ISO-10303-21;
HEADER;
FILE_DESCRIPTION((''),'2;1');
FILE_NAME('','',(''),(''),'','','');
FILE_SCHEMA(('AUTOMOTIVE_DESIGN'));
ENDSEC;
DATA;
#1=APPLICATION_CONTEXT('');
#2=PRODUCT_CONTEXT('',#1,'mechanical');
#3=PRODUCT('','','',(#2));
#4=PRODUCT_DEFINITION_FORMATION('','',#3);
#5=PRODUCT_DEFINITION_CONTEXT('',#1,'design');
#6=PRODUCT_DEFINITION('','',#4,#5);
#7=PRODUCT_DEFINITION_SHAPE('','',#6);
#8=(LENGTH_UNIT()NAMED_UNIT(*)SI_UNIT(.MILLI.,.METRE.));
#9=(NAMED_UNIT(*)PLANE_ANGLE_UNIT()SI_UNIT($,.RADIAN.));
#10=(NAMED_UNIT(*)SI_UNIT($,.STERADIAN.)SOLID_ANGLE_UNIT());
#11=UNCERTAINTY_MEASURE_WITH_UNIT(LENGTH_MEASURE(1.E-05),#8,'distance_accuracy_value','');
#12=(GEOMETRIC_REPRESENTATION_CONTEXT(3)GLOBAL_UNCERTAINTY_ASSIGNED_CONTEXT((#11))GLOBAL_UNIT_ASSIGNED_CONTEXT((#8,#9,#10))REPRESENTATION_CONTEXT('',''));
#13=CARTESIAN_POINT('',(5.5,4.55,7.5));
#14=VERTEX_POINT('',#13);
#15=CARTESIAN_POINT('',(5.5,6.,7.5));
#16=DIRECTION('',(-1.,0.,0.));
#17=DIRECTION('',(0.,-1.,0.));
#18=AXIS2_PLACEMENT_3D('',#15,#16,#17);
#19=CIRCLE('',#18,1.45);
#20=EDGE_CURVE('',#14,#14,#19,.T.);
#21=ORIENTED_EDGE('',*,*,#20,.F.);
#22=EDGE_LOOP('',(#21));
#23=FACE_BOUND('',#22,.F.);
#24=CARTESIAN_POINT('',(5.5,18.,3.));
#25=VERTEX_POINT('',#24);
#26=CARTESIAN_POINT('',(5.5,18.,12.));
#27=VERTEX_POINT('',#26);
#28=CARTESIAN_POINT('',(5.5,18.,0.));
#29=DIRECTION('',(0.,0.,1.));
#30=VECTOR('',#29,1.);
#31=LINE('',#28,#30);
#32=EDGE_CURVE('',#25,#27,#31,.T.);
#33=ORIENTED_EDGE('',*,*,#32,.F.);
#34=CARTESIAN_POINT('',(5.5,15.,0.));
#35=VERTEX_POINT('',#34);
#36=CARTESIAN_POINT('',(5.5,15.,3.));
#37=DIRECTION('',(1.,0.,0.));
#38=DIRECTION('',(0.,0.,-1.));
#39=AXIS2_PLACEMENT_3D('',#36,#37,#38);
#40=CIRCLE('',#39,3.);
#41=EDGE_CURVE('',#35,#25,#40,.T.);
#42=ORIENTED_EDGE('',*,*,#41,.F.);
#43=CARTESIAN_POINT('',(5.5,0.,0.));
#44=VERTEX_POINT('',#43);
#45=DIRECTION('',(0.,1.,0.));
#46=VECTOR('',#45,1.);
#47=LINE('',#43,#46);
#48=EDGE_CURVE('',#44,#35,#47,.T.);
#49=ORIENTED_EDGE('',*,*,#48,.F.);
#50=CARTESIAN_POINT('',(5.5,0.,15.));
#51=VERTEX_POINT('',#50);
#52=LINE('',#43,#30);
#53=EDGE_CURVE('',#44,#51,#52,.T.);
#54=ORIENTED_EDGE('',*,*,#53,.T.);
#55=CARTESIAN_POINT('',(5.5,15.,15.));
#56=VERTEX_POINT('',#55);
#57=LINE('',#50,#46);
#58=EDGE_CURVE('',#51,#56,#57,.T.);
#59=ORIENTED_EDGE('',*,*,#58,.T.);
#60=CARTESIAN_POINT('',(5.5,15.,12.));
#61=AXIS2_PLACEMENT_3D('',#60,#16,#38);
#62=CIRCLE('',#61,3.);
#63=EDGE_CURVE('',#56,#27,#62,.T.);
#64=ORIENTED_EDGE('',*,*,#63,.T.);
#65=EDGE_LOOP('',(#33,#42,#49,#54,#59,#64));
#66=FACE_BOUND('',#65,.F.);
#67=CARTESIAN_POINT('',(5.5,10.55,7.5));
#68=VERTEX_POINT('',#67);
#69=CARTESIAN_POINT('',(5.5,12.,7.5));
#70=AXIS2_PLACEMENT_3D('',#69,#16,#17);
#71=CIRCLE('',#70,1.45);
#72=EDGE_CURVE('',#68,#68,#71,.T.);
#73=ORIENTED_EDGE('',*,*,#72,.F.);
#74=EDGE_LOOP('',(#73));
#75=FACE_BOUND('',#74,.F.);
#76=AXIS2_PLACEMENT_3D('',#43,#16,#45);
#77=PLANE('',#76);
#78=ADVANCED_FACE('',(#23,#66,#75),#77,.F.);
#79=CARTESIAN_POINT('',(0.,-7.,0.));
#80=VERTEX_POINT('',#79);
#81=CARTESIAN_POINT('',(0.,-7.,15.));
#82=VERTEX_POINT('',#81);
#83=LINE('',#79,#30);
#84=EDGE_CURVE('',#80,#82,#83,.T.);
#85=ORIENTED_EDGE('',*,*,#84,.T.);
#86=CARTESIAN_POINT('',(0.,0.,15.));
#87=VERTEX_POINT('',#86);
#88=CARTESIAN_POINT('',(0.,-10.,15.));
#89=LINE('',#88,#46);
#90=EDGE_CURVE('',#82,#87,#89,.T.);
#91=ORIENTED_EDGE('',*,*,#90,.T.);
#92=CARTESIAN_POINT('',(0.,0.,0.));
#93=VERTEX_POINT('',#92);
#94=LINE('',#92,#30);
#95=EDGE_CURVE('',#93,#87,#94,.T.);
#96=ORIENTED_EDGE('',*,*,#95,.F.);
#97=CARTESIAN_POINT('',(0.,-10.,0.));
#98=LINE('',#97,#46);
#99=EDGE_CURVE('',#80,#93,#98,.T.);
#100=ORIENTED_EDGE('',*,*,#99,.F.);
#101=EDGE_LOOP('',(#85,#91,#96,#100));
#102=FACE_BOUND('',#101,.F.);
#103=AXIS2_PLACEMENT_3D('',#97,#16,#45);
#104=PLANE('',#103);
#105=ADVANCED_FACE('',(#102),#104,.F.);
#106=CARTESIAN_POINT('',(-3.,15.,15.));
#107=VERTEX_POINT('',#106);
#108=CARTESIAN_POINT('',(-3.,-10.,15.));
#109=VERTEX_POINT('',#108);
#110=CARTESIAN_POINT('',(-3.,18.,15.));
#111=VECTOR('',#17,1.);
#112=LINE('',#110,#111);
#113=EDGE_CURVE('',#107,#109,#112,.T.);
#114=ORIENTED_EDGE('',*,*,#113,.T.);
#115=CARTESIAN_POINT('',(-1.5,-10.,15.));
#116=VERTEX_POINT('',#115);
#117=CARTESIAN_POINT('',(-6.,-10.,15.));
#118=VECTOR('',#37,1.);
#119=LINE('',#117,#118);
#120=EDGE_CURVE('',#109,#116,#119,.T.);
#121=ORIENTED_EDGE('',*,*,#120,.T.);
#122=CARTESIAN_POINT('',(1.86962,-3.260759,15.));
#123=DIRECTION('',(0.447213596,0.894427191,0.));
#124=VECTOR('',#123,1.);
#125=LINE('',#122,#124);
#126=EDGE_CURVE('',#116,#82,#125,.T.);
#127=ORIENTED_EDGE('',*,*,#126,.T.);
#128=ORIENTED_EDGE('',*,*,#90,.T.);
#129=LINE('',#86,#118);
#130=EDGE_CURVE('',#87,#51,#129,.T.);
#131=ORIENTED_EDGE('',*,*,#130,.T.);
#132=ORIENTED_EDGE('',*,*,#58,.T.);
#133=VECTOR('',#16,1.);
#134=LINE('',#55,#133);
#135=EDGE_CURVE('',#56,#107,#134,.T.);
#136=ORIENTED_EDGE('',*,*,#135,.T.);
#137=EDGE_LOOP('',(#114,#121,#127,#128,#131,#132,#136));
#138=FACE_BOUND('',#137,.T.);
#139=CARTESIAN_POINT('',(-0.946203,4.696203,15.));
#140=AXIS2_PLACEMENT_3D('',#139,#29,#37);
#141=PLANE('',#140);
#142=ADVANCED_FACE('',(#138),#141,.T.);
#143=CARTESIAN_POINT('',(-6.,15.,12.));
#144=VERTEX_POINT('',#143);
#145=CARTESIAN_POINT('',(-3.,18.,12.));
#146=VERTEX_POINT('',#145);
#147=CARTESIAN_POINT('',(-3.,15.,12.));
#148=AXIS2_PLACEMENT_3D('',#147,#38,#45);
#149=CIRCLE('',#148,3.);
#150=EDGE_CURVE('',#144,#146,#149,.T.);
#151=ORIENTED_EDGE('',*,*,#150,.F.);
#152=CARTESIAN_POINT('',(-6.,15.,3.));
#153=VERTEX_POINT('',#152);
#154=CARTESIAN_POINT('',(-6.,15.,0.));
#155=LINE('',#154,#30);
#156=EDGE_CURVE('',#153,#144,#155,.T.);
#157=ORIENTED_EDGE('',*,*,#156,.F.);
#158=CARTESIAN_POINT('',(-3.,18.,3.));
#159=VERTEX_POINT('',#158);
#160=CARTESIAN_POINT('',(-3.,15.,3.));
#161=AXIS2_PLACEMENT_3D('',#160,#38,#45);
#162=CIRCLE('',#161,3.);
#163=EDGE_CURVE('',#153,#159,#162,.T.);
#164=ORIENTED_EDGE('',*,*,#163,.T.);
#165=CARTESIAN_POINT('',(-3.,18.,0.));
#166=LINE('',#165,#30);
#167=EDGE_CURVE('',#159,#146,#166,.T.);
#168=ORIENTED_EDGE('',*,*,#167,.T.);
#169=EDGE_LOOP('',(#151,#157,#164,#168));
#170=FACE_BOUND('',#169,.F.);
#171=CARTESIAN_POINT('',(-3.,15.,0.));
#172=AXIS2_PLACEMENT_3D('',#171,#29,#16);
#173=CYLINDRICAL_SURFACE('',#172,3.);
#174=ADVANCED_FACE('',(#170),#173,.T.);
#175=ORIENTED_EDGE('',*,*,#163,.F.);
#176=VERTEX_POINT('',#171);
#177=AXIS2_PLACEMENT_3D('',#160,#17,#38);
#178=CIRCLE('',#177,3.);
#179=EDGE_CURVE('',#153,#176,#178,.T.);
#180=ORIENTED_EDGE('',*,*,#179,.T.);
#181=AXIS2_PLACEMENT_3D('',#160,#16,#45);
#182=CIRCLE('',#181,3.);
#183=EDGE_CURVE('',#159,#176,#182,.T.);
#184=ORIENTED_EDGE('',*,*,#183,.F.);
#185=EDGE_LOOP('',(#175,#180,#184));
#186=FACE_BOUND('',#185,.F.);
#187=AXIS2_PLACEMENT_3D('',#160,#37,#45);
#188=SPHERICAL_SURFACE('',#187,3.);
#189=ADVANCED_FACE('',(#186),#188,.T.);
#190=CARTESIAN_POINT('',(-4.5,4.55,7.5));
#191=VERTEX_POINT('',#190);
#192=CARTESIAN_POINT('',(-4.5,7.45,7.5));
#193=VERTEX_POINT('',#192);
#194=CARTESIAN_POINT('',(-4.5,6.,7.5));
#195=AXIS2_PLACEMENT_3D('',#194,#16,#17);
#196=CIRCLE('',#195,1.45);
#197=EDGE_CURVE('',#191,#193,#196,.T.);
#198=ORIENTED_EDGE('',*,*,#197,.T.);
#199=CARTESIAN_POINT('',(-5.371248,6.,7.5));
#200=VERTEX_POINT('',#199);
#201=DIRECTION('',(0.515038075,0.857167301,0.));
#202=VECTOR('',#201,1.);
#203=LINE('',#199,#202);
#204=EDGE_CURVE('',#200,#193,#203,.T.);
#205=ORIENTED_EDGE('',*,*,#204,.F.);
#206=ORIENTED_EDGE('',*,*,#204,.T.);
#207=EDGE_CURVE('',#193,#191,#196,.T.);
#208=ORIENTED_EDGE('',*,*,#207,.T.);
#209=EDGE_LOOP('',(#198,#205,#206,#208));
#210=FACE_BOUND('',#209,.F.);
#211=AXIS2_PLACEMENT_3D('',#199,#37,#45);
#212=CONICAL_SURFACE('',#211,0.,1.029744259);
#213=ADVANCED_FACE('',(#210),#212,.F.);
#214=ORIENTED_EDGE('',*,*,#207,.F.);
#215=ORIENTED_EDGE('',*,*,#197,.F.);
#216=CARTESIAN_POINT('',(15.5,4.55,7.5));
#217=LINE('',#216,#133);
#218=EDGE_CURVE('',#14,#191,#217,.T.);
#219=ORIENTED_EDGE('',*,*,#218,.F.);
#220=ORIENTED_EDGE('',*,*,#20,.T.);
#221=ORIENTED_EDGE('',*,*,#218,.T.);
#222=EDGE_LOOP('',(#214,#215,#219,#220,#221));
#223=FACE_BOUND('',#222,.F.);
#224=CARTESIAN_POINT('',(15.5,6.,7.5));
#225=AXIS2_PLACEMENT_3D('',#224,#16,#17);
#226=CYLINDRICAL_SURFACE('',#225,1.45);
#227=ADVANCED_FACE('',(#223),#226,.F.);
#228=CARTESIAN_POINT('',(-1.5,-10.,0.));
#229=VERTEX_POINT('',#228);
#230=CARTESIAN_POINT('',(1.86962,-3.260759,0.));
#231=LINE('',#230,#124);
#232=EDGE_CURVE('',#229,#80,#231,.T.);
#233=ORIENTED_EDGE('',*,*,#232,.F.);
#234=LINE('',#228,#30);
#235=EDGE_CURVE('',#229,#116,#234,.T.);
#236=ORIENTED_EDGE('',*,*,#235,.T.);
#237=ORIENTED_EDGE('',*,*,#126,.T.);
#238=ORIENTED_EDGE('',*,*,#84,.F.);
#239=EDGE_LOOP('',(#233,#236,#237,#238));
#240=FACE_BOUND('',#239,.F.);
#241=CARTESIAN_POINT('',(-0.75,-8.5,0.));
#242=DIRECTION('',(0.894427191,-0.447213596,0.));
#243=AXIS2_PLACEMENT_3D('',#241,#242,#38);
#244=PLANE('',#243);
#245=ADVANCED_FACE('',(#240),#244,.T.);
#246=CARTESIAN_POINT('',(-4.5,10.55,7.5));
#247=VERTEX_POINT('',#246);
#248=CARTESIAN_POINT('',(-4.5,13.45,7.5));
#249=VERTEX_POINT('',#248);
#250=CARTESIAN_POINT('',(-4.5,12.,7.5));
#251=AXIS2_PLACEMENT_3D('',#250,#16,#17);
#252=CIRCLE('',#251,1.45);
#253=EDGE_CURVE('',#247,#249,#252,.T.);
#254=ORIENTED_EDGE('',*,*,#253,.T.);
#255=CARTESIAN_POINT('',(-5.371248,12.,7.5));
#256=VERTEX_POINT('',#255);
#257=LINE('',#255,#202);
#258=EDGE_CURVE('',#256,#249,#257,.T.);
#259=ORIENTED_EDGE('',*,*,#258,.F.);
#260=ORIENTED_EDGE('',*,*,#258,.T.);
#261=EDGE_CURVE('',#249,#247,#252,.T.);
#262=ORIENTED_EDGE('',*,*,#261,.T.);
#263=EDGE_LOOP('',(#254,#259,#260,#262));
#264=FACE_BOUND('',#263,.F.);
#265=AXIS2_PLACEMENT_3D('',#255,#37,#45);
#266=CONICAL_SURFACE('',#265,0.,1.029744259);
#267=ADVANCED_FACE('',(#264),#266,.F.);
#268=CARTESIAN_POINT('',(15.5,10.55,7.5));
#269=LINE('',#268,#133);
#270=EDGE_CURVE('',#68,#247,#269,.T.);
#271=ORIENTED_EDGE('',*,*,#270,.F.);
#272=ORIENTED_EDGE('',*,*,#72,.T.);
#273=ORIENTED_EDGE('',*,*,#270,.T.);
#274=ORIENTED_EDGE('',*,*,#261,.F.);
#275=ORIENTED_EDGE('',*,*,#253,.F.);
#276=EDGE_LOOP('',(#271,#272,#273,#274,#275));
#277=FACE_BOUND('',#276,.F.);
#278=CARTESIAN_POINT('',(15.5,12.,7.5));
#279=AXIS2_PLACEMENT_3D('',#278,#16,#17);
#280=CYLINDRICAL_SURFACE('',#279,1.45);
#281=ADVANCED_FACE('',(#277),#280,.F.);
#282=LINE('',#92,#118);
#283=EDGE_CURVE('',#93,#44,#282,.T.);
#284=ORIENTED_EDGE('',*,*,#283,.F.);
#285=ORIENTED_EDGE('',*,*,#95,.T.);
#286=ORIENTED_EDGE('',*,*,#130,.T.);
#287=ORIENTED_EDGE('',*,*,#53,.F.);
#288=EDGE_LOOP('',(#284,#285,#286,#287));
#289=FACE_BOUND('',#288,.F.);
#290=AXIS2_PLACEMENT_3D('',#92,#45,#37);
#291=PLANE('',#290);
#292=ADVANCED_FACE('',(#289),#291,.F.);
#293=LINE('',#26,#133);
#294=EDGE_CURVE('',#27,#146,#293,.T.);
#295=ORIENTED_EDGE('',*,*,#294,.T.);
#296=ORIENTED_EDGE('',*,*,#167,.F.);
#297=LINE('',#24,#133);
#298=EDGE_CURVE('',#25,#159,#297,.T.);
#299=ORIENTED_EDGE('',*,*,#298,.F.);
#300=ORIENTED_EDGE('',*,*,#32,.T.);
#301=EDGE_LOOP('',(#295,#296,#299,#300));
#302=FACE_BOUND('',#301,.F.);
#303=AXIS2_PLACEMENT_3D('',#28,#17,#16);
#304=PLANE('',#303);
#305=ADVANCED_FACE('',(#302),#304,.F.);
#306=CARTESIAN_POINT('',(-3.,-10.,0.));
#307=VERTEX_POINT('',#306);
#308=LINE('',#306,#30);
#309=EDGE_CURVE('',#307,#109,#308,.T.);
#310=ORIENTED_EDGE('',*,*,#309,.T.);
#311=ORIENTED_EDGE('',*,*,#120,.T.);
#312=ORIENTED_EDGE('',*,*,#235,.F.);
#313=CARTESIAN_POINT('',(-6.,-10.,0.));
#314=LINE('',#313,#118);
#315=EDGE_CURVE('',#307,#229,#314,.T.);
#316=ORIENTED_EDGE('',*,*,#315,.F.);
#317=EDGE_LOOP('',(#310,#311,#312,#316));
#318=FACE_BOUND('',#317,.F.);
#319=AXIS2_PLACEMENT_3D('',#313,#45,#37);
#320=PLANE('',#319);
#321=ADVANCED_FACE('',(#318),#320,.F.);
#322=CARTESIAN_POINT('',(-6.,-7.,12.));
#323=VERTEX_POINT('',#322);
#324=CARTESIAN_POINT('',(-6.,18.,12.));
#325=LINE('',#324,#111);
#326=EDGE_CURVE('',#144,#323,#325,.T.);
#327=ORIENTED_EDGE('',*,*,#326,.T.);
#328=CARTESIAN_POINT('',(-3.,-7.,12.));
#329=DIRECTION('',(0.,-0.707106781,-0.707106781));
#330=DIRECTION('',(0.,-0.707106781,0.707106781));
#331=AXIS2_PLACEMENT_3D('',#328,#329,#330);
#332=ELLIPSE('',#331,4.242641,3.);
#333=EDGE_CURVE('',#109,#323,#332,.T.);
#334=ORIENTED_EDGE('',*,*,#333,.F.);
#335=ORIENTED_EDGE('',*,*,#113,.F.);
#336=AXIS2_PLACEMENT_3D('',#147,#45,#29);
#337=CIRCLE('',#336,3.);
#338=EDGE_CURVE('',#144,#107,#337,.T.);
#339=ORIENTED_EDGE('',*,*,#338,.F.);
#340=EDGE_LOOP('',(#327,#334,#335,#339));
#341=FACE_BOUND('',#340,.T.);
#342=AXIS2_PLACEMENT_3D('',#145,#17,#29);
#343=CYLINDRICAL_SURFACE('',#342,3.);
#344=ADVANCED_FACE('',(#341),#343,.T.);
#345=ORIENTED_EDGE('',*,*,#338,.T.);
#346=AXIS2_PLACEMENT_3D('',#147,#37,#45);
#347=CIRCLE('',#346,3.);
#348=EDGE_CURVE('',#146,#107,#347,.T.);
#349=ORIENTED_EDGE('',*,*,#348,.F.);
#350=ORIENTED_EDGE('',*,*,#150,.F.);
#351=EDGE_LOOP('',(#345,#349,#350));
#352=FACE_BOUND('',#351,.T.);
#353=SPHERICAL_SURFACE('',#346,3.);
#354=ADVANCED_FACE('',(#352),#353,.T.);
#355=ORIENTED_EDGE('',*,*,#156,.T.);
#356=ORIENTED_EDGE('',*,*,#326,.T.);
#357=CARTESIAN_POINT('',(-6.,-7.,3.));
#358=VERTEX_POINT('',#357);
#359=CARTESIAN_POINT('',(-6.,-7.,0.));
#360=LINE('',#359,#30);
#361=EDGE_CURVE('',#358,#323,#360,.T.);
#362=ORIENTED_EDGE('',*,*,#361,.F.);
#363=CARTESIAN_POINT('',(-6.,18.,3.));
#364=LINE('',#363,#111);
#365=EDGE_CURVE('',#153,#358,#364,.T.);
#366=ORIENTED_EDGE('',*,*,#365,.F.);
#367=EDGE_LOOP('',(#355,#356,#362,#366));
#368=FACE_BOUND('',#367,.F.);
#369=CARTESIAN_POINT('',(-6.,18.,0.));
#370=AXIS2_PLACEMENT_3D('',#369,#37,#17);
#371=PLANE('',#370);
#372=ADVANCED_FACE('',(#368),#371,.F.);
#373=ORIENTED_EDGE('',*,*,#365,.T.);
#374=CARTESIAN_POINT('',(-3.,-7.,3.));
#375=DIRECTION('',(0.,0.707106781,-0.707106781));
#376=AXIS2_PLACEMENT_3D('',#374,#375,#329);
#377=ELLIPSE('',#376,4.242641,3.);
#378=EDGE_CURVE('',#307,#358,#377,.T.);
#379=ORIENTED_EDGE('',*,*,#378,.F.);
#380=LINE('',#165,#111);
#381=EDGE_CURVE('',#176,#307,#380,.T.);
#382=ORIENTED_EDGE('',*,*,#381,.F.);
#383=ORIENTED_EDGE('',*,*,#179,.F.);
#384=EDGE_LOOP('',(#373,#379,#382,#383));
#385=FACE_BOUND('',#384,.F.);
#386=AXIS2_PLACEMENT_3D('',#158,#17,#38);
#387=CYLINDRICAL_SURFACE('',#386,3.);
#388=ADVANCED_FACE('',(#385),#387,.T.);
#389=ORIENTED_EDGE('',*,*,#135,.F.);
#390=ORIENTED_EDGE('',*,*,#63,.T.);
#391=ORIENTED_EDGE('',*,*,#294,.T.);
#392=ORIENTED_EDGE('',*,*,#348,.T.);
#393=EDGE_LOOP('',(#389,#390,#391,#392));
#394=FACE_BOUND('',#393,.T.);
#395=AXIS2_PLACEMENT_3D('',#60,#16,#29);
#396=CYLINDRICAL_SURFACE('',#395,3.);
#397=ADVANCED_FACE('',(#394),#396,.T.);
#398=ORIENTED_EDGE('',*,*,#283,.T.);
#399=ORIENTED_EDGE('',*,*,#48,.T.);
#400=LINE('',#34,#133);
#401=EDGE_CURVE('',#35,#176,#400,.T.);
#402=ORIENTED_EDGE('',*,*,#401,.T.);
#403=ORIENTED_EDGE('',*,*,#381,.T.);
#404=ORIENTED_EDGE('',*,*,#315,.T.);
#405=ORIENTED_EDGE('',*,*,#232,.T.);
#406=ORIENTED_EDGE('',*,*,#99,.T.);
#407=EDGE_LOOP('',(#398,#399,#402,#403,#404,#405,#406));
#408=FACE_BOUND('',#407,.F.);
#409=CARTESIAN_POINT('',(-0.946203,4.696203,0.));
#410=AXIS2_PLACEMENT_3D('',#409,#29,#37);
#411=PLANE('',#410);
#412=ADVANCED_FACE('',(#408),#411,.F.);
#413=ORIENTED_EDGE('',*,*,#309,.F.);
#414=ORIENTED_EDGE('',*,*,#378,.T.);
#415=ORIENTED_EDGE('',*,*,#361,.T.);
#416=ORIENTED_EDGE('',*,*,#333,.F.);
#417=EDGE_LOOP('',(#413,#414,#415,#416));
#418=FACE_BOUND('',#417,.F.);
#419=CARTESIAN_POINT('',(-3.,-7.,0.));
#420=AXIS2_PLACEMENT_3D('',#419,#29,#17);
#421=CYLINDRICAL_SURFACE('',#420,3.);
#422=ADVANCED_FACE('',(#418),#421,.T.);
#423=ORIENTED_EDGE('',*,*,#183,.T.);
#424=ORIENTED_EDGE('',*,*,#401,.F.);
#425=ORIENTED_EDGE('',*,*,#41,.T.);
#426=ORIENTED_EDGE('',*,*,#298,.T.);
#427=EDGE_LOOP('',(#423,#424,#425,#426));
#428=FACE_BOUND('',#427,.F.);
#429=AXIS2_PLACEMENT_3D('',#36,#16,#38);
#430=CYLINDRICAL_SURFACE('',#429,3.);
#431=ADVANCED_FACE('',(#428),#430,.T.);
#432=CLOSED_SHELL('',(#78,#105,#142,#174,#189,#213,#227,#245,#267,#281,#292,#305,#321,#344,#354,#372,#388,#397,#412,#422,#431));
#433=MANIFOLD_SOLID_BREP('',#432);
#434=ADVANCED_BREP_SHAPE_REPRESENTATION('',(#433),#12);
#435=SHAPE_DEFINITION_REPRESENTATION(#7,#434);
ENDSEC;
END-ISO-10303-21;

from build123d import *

# Parameters (mm, degrees)
F1_DEPTH = 15
F3_D     = 2.9
F3_DEPTH = 10
F3_TIP   = 0.8712478976
F4_SIZE2 = 3
F4_SIZE  = 1.5
F5_R     = 3


with BuildPart() as f1:
    # F0 (on Top) → F1 (new body)
    with BuildSketch(Plane.XY):
        Polygon((0, 0), (5.5, 0), (5.5, 18), (-6, 18), (-6, -10), (0, -10), align=None)
    extrude(amount=F1_DEPTH)

    # F3
    with Locations(Plane.YZ.offset(5.5)):
        with Locations((6, 7.5), (12, 7.5)):
            Hole(F3_D / 2, depth=F3_DEPTH)
            with Locations((0, 0, -(F3_DEPTH + F3_TIP / 2))):  # 118° drill point
                Cone(0, F3_D / 2, F3_TIP, mode=Mode.SUBTRACT)

    # F4
    f4_edges = [f1.edges().sort_by_distance(p)[0] for p in [
        (0, -10, 7.5),
    ]]
    f4_side = f1.faces().sort_by_distance((-3, -10, 7.5))[0]
    chamfer(f4_edges, length=F4_SIZE, length2=F4_SIZE2, reference=f4_side)

    # F5
    f5_edges = [f1.edges().sort_by_distance(p)[0] for p in [
        (-0.25, 18, 15),
        (-0.25, 18, 0),
        (-6, 18, 7.5),
        (-6, 4, 0),
        (-6, 4, 15),
        (-6, -10, 7.5),
    ]]
    fillet(f5_edges, radius=F5_R)


solid = f1.part
